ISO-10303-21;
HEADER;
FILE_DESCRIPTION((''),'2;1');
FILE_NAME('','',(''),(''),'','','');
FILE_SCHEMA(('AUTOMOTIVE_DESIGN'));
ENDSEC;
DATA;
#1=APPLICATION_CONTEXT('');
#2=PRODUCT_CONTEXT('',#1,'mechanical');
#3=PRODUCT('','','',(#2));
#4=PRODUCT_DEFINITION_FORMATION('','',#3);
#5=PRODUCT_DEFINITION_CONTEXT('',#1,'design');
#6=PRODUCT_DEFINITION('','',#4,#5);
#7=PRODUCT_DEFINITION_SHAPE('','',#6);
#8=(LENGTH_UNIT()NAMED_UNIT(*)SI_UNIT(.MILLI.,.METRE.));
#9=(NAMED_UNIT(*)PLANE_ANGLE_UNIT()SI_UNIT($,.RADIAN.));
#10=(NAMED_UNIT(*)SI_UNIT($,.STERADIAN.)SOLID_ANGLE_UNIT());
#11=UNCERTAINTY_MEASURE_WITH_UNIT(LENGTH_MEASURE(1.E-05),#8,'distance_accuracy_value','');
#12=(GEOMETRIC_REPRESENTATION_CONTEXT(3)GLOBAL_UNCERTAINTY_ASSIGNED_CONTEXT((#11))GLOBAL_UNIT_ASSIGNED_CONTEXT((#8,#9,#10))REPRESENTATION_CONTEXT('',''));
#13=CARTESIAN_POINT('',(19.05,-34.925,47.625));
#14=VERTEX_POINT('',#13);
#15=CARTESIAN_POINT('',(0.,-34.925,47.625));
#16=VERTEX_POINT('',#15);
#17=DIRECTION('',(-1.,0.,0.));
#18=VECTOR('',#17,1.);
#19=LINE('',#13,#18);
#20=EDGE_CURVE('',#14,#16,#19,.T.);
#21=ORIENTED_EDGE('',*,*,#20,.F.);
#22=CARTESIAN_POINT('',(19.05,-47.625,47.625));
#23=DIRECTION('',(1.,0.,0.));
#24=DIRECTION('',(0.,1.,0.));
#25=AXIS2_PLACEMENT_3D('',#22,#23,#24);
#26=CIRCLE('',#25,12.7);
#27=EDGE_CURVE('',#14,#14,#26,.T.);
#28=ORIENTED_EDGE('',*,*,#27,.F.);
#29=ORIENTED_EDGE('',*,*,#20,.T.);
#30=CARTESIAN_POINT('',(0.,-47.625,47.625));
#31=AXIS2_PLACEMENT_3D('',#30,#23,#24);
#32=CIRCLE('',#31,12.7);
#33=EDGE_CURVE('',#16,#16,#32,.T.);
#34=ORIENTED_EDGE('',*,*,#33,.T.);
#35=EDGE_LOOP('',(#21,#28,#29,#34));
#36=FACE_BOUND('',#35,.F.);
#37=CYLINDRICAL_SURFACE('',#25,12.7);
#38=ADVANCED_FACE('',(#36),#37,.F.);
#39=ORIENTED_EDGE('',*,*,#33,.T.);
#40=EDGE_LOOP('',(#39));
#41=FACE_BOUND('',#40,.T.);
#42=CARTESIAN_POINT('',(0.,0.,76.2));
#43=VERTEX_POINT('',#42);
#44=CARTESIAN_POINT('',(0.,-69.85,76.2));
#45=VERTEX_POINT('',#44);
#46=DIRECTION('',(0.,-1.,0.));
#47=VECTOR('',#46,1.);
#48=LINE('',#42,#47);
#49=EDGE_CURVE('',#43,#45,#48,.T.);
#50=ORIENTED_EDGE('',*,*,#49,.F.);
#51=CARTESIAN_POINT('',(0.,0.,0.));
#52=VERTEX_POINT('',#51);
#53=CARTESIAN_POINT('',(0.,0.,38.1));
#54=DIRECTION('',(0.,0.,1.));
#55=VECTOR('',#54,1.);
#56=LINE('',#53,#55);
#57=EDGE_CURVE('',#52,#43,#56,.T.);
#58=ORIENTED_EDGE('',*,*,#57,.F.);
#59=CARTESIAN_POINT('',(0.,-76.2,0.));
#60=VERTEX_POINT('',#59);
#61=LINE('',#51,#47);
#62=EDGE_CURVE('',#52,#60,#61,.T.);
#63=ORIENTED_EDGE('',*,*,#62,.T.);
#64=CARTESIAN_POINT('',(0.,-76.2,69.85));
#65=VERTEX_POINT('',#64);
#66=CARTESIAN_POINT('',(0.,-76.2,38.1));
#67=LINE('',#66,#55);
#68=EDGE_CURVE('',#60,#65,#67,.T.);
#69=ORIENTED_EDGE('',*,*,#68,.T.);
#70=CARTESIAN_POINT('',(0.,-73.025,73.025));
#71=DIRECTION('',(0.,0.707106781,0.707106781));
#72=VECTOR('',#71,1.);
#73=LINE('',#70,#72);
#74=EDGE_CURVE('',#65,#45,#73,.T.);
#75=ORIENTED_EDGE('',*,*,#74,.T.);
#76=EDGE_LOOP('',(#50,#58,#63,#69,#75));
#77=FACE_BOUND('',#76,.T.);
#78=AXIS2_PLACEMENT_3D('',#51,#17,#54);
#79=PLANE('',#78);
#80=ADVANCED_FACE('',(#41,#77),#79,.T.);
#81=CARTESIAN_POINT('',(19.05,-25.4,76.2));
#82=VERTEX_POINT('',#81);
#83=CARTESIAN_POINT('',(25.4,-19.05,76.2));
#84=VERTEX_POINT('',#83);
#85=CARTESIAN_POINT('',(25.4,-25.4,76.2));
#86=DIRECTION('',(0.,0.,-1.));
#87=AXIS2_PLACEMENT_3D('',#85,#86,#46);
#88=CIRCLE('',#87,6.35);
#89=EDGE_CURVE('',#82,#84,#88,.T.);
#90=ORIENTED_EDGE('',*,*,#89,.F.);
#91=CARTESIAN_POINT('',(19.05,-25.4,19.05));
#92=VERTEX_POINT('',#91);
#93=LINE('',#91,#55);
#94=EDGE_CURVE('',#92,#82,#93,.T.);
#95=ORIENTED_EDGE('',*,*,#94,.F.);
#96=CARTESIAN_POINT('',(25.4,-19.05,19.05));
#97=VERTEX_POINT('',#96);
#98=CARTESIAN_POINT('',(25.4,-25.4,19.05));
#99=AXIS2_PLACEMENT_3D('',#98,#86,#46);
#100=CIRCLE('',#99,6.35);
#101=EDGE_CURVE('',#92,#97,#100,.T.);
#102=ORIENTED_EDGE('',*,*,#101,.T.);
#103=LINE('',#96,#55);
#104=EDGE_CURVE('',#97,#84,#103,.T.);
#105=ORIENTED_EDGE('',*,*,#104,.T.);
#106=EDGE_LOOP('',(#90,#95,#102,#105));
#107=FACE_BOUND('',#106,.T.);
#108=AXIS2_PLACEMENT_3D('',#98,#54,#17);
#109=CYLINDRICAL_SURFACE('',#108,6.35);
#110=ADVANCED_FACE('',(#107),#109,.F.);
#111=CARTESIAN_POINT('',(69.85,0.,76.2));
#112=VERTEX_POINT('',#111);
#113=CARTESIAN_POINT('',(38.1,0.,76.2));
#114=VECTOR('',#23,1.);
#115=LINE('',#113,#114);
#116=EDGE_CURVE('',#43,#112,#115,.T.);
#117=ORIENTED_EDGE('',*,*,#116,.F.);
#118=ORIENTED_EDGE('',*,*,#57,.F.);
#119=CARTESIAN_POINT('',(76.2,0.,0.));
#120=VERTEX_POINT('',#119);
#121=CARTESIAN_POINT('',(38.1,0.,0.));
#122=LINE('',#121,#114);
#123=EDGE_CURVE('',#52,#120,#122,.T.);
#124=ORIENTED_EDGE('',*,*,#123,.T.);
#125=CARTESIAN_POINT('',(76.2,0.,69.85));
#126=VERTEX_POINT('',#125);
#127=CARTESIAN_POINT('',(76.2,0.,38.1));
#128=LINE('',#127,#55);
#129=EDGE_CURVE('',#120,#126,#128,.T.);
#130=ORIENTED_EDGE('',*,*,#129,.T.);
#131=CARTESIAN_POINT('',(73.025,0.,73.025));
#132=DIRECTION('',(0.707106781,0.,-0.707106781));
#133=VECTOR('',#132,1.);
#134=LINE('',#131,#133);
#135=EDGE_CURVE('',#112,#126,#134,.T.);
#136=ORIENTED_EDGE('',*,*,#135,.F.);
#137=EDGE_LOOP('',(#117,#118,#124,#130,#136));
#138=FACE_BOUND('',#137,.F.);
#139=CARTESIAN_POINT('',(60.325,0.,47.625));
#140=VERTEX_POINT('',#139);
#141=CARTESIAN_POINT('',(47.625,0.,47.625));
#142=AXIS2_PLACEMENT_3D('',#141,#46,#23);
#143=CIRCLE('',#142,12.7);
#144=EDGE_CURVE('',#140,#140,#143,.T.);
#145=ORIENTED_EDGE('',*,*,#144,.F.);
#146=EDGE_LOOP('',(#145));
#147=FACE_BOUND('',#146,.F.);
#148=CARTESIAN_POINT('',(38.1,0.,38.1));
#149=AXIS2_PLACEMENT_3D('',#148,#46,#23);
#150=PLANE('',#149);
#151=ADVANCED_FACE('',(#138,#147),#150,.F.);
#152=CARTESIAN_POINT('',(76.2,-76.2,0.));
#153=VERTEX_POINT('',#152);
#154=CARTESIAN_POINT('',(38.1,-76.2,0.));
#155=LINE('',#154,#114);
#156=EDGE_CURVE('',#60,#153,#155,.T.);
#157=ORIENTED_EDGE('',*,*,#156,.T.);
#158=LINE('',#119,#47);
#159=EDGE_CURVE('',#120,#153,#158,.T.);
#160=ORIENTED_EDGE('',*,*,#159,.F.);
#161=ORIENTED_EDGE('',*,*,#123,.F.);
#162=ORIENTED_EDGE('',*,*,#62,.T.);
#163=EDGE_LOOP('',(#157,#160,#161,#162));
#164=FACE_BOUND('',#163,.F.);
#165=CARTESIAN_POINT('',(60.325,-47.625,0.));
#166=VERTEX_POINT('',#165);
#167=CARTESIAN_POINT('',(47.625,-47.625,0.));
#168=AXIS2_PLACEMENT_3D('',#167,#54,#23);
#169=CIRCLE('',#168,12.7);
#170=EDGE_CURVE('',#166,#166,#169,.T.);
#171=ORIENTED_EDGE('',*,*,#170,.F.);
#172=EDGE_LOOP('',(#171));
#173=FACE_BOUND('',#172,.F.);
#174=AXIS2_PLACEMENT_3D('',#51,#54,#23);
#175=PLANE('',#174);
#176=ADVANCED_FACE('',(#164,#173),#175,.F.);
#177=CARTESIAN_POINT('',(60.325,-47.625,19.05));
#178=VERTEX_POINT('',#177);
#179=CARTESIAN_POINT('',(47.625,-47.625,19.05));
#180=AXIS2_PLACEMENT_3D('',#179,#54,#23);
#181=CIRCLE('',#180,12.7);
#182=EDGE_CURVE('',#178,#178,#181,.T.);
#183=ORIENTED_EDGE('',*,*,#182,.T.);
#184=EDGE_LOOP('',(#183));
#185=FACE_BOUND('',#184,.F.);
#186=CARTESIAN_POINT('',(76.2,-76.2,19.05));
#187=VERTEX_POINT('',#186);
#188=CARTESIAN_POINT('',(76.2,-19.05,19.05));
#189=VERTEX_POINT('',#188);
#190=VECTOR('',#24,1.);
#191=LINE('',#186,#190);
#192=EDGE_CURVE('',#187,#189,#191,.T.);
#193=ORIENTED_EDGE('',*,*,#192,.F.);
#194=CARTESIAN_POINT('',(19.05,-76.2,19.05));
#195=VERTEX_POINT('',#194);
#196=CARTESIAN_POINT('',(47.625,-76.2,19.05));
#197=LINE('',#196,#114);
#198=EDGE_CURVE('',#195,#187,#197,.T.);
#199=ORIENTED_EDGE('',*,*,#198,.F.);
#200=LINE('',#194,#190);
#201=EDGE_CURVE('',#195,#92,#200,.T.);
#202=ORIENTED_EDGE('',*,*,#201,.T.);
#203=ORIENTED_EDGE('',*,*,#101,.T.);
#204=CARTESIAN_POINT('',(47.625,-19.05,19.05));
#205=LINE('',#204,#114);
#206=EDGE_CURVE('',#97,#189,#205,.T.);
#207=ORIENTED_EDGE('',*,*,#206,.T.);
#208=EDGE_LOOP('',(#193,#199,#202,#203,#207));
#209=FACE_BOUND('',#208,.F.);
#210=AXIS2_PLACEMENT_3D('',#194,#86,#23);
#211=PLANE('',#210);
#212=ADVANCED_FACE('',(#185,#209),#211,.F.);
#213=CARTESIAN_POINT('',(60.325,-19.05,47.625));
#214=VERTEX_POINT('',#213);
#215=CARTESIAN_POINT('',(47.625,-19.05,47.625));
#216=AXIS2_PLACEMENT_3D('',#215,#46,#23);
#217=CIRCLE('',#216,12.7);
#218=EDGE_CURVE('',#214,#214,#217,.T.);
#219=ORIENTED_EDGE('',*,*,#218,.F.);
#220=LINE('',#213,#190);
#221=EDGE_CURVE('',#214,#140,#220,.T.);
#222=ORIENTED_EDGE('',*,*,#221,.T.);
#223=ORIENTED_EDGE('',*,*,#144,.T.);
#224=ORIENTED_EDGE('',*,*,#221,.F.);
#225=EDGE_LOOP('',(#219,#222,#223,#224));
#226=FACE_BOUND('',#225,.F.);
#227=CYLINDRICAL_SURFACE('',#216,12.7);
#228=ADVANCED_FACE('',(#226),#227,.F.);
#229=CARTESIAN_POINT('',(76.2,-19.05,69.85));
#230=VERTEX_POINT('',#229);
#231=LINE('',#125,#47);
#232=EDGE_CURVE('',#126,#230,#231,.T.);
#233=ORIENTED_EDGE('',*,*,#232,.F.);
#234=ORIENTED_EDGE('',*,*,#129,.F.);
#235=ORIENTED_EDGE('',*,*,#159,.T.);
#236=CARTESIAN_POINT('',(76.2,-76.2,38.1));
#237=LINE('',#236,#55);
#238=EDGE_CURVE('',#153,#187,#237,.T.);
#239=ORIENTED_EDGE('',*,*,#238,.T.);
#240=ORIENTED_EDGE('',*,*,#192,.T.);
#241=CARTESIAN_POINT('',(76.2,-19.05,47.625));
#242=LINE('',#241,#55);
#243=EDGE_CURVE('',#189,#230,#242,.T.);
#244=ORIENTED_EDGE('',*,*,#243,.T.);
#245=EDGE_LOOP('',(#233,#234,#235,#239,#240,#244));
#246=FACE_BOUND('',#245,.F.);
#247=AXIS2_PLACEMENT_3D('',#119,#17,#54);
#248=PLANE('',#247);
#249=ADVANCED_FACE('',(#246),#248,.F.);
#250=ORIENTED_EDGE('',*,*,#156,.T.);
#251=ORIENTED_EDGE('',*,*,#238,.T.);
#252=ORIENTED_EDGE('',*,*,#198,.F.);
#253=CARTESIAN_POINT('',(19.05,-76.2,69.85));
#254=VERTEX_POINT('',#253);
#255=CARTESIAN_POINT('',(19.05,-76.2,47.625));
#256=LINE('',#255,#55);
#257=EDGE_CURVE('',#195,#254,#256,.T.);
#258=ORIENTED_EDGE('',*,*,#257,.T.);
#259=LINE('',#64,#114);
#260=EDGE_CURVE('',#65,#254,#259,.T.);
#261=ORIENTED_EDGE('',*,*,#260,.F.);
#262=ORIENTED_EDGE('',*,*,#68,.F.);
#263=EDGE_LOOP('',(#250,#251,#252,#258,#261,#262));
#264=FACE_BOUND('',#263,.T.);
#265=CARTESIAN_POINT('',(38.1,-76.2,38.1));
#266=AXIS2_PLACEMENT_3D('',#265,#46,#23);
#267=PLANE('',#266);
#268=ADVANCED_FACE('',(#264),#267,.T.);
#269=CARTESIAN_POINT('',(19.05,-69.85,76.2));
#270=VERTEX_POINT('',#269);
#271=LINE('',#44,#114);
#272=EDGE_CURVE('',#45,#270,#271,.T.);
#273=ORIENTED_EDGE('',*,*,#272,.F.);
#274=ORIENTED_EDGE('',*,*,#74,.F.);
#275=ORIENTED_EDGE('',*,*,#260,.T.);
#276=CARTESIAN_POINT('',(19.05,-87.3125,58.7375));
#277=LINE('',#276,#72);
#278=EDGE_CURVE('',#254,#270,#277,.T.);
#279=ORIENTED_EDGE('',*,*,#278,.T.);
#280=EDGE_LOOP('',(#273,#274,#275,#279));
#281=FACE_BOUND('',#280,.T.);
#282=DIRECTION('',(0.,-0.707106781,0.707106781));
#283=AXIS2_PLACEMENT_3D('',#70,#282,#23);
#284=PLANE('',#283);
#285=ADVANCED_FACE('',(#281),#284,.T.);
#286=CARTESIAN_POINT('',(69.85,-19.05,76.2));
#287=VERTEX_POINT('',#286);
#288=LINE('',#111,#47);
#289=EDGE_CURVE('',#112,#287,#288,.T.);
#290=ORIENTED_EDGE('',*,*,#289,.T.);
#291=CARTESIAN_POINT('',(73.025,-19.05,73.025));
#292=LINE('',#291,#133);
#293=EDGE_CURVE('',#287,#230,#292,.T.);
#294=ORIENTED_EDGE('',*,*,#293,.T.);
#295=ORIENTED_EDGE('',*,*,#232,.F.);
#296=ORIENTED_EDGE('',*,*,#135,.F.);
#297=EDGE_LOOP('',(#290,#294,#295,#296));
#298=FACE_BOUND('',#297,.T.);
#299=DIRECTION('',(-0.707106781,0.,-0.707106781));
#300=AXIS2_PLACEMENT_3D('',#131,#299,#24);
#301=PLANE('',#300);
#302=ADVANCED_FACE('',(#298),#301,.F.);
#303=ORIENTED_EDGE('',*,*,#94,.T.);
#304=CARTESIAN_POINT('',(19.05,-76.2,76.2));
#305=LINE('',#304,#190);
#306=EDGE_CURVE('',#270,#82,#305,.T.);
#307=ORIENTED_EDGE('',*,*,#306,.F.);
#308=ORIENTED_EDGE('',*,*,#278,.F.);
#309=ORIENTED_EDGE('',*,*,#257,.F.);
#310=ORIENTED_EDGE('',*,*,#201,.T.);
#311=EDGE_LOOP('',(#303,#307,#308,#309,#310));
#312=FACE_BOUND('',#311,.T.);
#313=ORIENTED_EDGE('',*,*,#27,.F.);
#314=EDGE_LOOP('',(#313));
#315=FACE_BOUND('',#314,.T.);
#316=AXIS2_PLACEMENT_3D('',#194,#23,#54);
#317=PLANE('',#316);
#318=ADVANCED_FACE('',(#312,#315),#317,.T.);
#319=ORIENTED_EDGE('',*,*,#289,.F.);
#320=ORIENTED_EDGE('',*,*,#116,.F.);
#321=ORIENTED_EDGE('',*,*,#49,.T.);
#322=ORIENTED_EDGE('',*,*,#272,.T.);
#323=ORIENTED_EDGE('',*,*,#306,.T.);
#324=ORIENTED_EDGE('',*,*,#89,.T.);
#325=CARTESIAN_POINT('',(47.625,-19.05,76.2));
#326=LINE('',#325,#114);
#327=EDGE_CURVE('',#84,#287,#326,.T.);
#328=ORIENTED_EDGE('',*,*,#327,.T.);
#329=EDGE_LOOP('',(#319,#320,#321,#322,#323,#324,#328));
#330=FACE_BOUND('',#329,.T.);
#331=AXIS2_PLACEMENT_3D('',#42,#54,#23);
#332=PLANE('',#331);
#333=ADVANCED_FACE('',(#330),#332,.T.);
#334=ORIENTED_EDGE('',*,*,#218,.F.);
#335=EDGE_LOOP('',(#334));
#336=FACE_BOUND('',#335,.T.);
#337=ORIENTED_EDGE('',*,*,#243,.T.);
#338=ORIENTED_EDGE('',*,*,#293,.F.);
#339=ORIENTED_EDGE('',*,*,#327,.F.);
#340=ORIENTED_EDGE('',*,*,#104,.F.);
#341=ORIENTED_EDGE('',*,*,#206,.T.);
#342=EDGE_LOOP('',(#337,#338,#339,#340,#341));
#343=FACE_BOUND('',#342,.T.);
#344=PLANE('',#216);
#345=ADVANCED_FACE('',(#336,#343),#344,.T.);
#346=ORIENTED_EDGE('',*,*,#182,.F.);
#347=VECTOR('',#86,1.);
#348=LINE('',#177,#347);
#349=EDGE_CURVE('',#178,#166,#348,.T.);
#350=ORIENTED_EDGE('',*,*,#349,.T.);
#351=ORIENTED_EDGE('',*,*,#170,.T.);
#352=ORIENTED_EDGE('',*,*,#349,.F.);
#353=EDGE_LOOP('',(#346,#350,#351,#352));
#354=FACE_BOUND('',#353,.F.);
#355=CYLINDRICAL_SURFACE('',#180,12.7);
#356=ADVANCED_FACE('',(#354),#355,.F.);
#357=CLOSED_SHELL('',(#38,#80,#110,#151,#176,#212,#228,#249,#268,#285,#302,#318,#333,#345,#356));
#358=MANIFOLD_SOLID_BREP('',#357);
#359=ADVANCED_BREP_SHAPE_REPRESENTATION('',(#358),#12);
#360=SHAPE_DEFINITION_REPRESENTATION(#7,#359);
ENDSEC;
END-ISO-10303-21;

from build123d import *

# Parameters (mm, degrees)
F0_W     = 76.2
F0_H     = 76.2
F1_DEPTH = 76.2
F2_W     = 57.15
F2_H     = 57.15
F3_DEPTH = 57.15
F4_R     = 12.7
F5_DEPTH = 19.05
F6_R     = 12.7
F7_DEPTH = 19.05
F8_R     = 12.7
F9_DEPTH = 19.05
F10_SIZE = 6.35
F11_R    = 6.35


with BuildPart() as f1:
    # F0 (on Front) → F1 (new body)
    with BuildSketch(Plane.XZ):
        with Locations((38.1, 38.1)):
            Rectangle(F0_W, F0_H)
    extrude(amount=F1_DEPTH)

    # F2 (on face) → F3 (cut)
    with BuildSketch(Plane.XZ.offset(76.2)):
        with Locations((47.625, 47.625)):
            Rectangle(F2_W, F2_H)
    extrude(amount=-F3_DEPTH, mode=Mode.SUBTRACT)

    # F4 (on face) → F5 (cut)
    with BuildSketch(Plane.XY.offset(19.05)):
        with Locations((47.625, -47.625)):
            Circle(F4_R)
    extrude(amount=-F5_DEPTH, mode=Mode.SUBTRACT)

    # F6 (on face) → F7 (cut)
    with BuildSketch(Plane.YZ.offset(19.05)):
        with Locations((-47.625, 47.625)):
            Circle(F6_R)
    extrude(amount=-F7_DEPTH, mode=Mode.SUBTRACT)

    # F8 (on face) → F9 (cut)
    with BuildSketch(Plane.XZ.offset(19.05)):
        with Locations((47.625, 47.625)):
            Circle(F8_R)
    extrude(amount=-F9_DEPTH, mode=Mode.SUBTRACT)

    # F10
    f10_edges = [f1.edges().sort_by_distance(p)[0] for p in [
        (9.525, -76.2, 76.2),
        (76.2, -9.525, 76.2),
    ]]
    chamfer(f10_edges, length=F10_SIZE)

    # F11
    f11_edges = [f1.edges().sort_by_distance(p)[0] for p in [
        (19.05, -19.05, 47.625),
    ]]
    fillet(f11_edges, radius=F11_R)


solid = f1.part
